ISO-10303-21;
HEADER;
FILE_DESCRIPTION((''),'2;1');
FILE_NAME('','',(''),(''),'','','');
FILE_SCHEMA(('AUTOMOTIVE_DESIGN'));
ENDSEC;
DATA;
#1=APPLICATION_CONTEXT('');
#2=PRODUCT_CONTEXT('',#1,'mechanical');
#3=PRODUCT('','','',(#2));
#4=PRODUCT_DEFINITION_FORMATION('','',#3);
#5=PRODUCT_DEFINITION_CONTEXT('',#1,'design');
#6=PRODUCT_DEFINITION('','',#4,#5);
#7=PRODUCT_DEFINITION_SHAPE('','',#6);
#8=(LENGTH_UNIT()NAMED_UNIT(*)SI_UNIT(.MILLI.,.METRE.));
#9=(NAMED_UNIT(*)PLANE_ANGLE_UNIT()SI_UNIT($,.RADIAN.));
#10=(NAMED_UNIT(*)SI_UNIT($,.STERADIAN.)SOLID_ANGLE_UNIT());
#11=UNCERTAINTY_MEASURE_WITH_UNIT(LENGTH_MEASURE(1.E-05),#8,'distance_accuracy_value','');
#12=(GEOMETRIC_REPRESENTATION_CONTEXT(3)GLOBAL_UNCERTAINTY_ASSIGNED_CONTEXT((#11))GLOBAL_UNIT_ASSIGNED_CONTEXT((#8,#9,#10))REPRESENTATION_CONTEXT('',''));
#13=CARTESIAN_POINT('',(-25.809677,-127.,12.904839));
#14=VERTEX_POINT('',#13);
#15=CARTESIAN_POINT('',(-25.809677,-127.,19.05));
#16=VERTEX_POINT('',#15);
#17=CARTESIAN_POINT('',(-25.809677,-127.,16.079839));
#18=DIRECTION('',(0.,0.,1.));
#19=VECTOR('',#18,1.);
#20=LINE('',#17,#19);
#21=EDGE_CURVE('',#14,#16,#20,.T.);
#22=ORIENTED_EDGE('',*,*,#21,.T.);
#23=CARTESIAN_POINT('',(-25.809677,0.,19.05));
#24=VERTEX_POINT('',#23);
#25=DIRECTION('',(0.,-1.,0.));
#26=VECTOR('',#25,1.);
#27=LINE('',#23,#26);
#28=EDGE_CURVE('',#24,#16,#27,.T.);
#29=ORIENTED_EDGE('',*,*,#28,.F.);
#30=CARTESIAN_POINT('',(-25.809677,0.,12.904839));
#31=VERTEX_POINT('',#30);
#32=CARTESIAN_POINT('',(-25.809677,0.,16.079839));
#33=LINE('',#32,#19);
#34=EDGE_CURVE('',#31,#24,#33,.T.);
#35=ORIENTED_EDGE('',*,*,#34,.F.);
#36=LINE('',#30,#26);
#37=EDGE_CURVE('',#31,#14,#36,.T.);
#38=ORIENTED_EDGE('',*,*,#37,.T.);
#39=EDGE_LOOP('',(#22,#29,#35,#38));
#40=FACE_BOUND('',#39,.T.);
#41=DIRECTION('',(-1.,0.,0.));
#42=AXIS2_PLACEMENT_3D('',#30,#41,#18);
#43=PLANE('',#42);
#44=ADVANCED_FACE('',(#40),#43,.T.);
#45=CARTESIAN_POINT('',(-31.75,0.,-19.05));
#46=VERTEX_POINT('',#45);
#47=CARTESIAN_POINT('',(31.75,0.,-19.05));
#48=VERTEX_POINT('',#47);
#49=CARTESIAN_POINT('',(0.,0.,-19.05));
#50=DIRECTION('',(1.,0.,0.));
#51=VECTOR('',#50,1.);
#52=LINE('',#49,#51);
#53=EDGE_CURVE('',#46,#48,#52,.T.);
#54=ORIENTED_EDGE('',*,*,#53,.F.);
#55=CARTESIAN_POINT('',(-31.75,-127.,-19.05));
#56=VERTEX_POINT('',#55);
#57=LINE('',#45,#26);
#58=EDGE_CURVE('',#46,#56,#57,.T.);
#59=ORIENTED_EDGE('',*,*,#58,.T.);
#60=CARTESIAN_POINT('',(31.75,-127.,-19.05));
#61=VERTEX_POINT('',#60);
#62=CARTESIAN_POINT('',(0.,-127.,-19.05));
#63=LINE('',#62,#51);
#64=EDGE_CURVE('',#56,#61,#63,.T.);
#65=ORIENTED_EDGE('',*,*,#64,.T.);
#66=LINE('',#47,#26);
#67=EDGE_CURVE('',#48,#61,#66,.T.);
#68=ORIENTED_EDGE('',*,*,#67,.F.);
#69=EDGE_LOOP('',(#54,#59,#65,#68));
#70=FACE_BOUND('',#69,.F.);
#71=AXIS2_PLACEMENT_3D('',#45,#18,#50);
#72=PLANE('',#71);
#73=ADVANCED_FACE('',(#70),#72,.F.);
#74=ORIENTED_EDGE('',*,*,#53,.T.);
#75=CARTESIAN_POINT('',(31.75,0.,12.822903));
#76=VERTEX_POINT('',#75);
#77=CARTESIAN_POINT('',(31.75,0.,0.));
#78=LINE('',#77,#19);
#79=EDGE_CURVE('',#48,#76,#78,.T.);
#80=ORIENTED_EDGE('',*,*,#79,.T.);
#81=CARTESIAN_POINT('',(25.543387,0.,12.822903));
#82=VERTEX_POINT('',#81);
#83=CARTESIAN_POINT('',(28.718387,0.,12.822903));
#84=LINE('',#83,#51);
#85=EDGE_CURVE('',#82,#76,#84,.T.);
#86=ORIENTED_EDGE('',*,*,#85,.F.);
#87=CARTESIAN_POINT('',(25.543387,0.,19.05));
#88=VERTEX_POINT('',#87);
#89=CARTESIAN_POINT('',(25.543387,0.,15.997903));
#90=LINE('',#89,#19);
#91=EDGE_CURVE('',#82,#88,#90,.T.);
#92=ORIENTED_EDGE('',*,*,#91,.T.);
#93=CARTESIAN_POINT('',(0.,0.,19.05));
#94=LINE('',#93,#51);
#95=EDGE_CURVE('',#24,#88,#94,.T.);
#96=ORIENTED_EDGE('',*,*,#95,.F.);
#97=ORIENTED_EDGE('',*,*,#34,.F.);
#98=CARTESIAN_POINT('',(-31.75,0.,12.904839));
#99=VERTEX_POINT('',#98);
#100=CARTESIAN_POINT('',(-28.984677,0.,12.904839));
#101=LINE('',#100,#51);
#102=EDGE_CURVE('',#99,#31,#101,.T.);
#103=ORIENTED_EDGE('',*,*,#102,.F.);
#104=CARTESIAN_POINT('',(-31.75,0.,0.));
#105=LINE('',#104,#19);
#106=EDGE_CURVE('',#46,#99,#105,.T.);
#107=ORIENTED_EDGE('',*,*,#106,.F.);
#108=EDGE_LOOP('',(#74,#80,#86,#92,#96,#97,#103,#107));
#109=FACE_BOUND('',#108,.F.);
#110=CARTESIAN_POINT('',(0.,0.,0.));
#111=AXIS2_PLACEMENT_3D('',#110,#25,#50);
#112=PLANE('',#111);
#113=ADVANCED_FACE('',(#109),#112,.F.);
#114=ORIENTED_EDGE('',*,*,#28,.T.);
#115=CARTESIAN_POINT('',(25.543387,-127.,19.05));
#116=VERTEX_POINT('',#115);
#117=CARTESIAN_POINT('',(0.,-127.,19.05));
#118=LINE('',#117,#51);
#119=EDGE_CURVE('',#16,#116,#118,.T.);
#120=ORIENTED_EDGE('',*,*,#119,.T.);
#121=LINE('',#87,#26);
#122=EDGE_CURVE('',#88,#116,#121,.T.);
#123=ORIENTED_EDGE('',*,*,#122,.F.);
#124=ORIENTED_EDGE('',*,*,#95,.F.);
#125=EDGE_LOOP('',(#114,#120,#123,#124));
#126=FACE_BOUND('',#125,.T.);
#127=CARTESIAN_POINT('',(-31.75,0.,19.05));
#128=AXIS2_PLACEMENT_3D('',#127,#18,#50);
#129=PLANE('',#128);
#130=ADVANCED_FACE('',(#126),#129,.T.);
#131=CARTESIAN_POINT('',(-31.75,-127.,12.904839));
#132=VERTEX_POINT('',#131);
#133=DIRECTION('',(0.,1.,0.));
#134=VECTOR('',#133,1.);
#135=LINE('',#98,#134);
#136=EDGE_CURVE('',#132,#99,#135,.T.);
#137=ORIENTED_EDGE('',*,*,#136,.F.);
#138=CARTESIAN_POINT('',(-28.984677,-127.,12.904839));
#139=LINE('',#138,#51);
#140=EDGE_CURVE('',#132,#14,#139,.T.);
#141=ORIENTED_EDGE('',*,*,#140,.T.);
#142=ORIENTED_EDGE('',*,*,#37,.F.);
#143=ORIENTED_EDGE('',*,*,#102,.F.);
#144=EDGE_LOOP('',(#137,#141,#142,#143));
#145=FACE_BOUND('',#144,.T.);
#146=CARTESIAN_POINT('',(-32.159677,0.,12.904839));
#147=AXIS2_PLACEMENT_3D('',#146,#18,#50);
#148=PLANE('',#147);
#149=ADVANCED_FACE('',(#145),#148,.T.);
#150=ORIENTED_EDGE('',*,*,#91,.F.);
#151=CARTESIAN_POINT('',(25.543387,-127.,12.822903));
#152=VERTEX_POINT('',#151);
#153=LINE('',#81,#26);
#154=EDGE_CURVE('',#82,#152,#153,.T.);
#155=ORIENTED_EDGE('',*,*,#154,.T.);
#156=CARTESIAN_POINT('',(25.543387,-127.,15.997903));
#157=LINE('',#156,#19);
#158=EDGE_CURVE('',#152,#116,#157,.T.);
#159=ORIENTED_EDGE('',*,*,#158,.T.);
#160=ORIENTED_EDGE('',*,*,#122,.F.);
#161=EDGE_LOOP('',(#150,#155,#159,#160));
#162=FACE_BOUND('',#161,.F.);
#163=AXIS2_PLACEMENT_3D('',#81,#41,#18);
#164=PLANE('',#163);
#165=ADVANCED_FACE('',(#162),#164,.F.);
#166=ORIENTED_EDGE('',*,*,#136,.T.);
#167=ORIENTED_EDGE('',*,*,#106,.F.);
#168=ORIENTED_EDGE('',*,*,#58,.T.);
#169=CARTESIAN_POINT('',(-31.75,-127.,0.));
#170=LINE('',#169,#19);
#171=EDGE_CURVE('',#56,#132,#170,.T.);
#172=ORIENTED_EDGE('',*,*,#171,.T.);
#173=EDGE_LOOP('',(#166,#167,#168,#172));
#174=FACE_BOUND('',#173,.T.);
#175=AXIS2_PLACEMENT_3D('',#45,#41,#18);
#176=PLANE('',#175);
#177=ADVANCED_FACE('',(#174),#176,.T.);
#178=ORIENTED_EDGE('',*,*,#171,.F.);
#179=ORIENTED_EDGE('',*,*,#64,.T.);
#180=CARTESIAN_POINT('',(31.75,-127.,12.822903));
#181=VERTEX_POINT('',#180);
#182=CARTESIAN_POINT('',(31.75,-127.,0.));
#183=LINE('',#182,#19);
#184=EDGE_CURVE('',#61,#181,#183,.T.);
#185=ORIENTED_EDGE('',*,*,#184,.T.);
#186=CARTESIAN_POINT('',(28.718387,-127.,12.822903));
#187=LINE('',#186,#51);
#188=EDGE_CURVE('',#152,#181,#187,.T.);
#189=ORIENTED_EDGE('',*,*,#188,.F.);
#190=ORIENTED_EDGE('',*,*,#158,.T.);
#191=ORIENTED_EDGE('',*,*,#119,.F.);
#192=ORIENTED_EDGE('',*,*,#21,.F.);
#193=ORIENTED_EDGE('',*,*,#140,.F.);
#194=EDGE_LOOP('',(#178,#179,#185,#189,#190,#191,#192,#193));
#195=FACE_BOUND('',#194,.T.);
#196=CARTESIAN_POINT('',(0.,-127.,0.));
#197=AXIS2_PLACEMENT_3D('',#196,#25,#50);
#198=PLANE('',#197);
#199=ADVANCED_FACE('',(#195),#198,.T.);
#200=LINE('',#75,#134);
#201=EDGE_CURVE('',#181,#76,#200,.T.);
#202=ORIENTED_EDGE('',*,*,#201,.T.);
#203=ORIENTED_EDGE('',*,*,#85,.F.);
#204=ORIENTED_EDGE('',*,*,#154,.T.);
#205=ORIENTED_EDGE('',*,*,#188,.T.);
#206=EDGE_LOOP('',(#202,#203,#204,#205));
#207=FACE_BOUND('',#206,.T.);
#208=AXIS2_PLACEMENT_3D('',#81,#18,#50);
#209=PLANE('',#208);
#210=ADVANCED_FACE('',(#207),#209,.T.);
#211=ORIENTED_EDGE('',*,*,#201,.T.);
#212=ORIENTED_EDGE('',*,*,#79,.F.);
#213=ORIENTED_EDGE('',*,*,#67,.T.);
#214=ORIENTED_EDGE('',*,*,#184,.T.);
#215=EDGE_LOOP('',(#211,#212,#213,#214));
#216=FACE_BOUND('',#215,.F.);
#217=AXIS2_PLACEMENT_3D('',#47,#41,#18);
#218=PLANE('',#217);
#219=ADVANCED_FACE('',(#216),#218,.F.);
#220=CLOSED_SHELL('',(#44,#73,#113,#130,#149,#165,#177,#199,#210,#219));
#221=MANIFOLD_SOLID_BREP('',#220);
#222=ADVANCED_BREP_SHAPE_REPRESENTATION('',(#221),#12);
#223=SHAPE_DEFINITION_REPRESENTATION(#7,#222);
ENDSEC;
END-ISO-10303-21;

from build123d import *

# Parameters (mm, degrees)
F0_W     = 63.5
F0_H     = 38.1
F1_DEPTH = 127
F3_W     = 6.35
F3_H     = 6.35
F4_DEPTH = 127
F2_W     = 6.35
F2_H     = 6.35
F5_DEPTH = 127


with BuildPart() as f1:
    # F0 (on Front) → F1 (new body)
    with BuildSketch(Plane.XZ):
        Rectangle(F0_W, F0_H)
    extrude(amount=F1_DEPTH)

    # F3 (on Front) → F4 (cut)
    with BuildSketch(Plane.XZ):
        with Locations((-28.984677, 16.079839)):
            Rectangle(F3_W, F3_H)
    extrude(amount=F4_DEPTH, mode=Mode.SUBTRACT)

    # F2 (on Front) → F5 (cut)
    with BuildSketch(Plane.XZ):
        with Locations((28.718387, 15.997903)):
            Rectangle(F2_W, F2_H)
    extrude(amount=F5_DEPTH, mode=Mode.SUBTRACT)


solid = f1.part
